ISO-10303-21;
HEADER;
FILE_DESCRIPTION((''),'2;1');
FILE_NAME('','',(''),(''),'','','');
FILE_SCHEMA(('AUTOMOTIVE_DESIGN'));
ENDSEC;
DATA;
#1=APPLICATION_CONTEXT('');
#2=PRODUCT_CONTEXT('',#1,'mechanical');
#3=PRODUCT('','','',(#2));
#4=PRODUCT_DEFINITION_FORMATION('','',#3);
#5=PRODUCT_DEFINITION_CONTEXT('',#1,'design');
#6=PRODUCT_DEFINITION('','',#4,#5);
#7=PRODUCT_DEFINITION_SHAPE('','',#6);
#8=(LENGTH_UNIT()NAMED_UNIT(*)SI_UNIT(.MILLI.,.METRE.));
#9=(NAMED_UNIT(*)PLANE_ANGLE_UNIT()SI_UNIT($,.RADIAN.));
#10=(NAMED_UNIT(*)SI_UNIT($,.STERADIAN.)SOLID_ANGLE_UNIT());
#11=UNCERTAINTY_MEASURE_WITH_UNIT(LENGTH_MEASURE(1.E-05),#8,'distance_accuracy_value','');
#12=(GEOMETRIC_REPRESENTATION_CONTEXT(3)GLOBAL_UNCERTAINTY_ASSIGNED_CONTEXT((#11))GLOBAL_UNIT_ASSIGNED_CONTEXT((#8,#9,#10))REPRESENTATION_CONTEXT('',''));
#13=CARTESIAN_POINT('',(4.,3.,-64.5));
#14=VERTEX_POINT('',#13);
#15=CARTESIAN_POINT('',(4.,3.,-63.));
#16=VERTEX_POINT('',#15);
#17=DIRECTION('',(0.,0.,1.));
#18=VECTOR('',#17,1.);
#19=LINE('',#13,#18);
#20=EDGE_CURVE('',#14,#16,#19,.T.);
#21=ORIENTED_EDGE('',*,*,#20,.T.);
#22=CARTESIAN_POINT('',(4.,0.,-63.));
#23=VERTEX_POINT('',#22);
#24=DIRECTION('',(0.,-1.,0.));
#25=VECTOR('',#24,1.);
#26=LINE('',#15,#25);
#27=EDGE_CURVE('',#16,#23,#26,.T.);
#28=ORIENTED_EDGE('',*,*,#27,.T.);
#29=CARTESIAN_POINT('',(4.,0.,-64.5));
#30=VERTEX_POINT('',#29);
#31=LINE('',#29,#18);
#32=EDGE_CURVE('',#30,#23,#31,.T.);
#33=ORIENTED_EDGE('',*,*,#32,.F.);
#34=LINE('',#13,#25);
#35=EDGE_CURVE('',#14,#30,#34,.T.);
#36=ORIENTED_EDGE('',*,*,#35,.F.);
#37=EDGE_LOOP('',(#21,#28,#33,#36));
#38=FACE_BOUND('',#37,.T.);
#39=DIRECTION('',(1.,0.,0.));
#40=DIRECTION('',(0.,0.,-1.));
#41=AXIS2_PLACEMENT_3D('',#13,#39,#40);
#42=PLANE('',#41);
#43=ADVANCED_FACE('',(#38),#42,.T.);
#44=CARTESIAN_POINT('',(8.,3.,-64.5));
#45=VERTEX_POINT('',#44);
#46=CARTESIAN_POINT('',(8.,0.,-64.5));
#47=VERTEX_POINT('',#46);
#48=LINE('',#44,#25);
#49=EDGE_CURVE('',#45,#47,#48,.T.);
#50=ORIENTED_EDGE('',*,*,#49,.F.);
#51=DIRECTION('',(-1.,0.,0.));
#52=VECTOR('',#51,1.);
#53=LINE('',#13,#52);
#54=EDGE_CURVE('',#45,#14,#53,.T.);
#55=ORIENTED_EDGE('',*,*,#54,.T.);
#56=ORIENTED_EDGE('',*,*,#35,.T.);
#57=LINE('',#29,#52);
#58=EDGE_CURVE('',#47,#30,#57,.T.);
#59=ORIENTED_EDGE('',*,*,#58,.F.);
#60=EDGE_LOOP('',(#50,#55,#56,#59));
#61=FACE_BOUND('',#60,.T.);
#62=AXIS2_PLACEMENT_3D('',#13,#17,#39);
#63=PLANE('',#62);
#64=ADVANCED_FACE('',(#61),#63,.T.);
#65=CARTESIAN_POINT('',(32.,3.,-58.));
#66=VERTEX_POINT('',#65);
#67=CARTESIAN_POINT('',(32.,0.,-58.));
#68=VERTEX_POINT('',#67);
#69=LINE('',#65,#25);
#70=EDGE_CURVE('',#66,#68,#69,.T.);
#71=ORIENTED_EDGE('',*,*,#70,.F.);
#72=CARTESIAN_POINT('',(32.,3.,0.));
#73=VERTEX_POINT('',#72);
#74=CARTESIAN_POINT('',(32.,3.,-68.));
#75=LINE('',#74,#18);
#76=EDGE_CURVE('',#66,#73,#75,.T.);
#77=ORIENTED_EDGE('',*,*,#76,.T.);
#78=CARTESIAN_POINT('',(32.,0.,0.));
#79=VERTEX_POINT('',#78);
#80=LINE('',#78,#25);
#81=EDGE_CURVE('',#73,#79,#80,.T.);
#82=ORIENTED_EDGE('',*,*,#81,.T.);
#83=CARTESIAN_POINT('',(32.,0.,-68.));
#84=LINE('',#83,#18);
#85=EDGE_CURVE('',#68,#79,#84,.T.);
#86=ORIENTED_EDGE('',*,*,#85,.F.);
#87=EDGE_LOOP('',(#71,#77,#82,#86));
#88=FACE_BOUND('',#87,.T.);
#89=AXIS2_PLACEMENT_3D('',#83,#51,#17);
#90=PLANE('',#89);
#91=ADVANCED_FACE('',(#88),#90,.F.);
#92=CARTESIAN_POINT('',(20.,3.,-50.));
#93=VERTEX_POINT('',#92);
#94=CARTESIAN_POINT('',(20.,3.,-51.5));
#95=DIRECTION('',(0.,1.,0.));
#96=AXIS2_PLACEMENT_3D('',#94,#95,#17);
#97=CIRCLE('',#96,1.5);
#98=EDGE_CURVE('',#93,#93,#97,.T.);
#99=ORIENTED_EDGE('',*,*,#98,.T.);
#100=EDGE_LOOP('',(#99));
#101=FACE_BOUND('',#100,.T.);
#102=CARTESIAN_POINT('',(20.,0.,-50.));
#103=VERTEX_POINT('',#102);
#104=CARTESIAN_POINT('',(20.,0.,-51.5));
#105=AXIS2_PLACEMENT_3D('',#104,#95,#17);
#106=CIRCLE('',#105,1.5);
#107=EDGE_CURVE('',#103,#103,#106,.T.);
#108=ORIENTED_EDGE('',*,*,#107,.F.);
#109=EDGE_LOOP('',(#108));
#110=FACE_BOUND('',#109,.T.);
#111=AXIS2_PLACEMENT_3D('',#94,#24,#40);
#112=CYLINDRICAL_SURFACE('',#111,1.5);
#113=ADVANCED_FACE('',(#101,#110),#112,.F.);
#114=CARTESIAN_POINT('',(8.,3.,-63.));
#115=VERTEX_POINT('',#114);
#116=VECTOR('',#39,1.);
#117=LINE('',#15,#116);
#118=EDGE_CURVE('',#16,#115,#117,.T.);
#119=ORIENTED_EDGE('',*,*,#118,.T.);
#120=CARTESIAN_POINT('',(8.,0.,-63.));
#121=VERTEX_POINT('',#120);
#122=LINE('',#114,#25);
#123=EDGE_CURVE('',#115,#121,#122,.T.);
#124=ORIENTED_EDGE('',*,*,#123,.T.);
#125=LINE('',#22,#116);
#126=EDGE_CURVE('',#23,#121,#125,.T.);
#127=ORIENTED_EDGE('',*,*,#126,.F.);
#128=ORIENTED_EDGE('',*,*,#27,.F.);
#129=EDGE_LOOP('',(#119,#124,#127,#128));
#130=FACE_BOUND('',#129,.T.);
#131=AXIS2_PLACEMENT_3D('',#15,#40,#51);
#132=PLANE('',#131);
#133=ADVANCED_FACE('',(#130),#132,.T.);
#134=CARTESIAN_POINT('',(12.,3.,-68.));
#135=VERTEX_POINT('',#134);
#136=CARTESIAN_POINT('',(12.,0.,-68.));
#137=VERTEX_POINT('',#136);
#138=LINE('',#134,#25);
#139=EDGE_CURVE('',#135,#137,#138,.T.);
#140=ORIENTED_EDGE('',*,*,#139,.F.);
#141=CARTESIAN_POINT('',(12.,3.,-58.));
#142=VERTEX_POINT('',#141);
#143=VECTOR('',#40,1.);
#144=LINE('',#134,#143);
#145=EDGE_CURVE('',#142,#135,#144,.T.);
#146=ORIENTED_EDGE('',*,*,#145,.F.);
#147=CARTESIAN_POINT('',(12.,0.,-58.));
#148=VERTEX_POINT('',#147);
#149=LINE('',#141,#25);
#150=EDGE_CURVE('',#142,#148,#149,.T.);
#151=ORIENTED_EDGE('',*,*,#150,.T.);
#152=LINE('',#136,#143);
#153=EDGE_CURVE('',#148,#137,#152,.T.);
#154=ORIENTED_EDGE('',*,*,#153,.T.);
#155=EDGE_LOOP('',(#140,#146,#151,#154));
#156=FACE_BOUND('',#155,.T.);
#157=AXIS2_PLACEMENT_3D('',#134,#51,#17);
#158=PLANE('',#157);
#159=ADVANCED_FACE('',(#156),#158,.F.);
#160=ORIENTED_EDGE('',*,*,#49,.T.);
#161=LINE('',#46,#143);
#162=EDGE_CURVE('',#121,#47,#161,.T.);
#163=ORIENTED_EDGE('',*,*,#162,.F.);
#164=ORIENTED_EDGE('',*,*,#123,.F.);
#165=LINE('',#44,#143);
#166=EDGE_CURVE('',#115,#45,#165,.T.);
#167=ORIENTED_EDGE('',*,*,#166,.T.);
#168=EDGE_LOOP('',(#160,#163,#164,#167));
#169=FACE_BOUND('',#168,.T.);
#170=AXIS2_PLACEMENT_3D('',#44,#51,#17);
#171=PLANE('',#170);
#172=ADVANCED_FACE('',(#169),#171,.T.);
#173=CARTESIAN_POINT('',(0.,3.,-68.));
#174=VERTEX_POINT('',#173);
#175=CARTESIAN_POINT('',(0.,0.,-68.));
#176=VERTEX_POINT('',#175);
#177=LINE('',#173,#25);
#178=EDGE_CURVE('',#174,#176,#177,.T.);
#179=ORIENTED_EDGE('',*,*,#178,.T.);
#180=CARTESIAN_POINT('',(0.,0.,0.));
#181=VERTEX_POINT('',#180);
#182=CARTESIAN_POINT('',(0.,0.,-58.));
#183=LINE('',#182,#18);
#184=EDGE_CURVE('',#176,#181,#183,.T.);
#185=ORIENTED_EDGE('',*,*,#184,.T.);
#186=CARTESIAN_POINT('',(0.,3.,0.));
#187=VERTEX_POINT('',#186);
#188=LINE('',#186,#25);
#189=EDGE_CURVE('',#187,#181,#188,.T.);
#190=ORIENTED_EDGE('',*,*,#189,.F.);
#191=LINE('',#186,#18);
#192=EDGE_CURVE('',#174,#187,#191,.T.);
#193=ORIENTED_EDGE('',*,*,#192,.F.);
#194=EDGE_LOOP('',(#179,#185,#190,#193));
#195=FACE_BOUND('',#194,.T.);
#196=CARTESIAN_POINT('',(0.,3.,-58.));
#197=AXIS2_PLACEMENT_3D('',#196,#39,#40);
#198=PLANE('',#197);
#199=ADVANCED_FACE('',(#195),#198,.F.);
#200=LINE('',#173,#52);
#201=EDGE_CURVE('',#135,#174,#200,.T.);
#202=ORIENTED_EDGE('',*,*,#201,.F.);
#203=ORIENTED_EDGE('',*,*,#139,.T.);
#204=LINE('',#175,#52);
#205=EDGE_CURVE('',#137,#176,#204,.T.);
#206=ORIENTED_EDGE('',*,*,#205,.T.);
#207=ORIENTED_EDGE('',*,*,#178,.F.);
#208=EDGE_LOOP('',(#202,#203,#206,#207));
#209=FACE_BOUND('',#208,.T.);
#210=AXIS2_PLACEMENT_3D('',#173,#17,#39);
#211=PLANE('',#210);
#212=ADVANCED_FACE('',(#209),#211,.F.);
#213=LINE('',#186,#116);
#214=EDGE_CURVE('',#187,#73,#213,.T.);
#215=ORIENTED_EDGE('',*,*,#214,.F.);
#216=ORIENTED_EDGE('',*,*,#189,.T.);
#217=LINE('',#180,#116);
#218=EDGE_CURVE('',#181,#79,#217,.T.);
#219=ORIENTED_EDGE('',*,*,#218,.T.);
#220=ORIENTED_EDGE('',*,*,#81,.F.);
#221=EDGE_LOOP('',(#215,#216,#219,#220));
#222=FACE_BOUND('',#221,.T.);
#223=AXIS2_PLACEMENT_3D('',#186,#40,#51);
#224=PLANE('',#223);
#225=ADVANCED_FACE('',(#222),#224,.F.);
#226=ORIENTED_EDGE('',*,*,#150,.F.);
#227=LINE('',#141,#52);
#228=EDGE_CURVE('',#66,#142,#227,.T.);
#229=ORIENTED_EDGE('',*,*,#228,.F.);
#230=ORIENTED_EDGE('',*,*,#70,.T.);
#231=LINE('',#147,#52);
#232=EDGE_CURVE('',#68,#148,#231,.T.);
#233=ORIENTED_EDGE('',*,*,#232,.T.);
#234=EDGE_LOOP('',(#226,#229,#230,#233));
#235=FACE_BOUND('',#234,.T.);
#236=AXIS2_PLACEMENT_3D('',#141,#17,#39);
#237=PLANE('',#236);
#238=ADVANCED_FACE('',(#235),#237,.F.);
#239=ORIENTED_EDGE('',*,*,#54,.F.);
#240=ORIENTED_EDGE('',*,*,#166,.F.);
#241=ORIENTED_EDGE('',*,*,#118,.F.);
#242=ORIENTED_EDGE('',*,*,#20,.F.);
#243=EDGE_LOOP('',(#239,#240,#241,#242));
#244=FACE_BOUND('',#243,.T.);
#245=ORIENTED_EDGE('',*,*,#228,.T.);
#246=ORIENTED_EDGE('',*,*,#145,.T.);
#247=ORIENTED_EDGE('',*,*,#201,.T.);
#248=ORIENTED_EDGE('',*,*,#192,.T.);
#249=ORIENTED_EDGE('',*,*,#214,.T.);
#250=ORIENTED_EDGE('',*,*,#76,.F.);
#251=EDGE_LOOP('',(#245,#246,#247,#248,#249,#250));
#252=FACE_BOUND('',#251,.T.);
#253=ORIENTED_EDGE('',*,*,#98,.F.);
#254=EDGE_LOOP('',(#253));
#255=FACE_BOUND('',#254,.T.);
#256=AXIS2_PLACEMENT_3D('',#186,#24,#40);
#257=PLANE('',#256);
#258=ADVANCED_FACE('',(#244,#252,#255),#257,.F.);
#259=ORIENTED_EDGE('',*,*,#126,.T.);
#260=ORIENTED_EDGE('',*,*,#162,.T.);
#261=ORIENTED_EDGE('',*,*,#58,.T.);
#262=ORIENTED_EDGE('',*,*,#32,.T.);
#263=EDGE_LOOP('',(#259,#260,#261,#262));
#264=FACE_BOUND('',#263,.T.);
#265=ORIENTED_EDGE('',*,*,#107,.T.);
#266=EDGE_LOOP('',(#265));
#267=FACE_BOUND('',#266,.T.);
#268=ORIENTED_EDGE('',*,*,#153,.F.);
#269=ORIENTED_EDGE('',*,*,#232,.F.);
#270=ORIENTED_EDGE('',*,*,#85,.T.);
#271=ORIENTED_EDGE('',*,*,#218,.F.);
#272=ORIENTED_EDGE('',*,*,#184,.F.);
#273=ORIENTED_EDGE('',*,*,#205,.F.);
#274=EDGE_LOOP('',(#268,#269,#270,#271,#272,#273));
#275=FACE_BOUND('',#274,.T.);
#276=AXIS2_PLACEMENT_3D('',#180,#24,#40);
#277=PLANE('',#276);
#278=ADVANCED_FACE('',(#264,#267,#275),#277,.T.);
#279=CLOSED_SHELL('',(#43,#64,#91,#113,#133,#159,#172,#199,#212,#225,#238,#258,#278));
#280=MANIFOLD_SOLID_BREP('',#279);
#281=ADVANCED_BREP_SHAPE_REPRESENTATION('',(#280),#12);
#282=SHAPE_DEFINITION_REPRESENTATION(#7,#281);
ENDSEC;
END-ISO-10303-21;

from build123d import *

# Parameters (mm, degrees)
SKETCH1_R           = 1.5
SKETCH1_W           = 4
SKETCH1_H           = 1.5
BOSS_EXTRUDE1_DEPTH = 3
SKETCH3_W           = 12
SKETCH3_H           = 3
CUT_EXTRUDE2_DEPTH  = 82.049367672


with BuildPart() as part:
    # Sketch1 → Boss-Extrude1 (new body)
    with BuildSketch(Plane(origin=(0, 0, 0), x_dir=(1, 0, 0), z_dir=(0, 1, 0))):
        Polygon((0, 58), (0, 68), (12, 68), (12, 58), (44, 58), (44, 0), (0, 0), align=None)
        with Locations(Location((20, 51.5, 0), (0, 0, 270))):
            Circle(SKETCH1_R, mode=Mode.SUBTRACT)
        with Locations(Location((36, 51.5, 0), (0, 0, 270))):
            Circle(SKETCH1_R, mode=Mode.SUBTRACT)
        with Locations((6, 63.75)):
            Rectangle(SKETCH1_W, SKETCH1_H, mode=Mode.SUBTRACT)
    extrude(amount=BOSS_EXTRUDE1_DEPTH)

    # Sketch3 → Cut-Extrude2 (cut, through all)
    with BuildSketch(Plane.XY):
        with Locations((38, 1.5)):
            Rectangle(SKETCH3_W, SKETCH3_H)
    extrude(amount=-CUT_EXTRUDE2_DEPTH, mode=Mode.SUBTRACT)


solid = part.part
